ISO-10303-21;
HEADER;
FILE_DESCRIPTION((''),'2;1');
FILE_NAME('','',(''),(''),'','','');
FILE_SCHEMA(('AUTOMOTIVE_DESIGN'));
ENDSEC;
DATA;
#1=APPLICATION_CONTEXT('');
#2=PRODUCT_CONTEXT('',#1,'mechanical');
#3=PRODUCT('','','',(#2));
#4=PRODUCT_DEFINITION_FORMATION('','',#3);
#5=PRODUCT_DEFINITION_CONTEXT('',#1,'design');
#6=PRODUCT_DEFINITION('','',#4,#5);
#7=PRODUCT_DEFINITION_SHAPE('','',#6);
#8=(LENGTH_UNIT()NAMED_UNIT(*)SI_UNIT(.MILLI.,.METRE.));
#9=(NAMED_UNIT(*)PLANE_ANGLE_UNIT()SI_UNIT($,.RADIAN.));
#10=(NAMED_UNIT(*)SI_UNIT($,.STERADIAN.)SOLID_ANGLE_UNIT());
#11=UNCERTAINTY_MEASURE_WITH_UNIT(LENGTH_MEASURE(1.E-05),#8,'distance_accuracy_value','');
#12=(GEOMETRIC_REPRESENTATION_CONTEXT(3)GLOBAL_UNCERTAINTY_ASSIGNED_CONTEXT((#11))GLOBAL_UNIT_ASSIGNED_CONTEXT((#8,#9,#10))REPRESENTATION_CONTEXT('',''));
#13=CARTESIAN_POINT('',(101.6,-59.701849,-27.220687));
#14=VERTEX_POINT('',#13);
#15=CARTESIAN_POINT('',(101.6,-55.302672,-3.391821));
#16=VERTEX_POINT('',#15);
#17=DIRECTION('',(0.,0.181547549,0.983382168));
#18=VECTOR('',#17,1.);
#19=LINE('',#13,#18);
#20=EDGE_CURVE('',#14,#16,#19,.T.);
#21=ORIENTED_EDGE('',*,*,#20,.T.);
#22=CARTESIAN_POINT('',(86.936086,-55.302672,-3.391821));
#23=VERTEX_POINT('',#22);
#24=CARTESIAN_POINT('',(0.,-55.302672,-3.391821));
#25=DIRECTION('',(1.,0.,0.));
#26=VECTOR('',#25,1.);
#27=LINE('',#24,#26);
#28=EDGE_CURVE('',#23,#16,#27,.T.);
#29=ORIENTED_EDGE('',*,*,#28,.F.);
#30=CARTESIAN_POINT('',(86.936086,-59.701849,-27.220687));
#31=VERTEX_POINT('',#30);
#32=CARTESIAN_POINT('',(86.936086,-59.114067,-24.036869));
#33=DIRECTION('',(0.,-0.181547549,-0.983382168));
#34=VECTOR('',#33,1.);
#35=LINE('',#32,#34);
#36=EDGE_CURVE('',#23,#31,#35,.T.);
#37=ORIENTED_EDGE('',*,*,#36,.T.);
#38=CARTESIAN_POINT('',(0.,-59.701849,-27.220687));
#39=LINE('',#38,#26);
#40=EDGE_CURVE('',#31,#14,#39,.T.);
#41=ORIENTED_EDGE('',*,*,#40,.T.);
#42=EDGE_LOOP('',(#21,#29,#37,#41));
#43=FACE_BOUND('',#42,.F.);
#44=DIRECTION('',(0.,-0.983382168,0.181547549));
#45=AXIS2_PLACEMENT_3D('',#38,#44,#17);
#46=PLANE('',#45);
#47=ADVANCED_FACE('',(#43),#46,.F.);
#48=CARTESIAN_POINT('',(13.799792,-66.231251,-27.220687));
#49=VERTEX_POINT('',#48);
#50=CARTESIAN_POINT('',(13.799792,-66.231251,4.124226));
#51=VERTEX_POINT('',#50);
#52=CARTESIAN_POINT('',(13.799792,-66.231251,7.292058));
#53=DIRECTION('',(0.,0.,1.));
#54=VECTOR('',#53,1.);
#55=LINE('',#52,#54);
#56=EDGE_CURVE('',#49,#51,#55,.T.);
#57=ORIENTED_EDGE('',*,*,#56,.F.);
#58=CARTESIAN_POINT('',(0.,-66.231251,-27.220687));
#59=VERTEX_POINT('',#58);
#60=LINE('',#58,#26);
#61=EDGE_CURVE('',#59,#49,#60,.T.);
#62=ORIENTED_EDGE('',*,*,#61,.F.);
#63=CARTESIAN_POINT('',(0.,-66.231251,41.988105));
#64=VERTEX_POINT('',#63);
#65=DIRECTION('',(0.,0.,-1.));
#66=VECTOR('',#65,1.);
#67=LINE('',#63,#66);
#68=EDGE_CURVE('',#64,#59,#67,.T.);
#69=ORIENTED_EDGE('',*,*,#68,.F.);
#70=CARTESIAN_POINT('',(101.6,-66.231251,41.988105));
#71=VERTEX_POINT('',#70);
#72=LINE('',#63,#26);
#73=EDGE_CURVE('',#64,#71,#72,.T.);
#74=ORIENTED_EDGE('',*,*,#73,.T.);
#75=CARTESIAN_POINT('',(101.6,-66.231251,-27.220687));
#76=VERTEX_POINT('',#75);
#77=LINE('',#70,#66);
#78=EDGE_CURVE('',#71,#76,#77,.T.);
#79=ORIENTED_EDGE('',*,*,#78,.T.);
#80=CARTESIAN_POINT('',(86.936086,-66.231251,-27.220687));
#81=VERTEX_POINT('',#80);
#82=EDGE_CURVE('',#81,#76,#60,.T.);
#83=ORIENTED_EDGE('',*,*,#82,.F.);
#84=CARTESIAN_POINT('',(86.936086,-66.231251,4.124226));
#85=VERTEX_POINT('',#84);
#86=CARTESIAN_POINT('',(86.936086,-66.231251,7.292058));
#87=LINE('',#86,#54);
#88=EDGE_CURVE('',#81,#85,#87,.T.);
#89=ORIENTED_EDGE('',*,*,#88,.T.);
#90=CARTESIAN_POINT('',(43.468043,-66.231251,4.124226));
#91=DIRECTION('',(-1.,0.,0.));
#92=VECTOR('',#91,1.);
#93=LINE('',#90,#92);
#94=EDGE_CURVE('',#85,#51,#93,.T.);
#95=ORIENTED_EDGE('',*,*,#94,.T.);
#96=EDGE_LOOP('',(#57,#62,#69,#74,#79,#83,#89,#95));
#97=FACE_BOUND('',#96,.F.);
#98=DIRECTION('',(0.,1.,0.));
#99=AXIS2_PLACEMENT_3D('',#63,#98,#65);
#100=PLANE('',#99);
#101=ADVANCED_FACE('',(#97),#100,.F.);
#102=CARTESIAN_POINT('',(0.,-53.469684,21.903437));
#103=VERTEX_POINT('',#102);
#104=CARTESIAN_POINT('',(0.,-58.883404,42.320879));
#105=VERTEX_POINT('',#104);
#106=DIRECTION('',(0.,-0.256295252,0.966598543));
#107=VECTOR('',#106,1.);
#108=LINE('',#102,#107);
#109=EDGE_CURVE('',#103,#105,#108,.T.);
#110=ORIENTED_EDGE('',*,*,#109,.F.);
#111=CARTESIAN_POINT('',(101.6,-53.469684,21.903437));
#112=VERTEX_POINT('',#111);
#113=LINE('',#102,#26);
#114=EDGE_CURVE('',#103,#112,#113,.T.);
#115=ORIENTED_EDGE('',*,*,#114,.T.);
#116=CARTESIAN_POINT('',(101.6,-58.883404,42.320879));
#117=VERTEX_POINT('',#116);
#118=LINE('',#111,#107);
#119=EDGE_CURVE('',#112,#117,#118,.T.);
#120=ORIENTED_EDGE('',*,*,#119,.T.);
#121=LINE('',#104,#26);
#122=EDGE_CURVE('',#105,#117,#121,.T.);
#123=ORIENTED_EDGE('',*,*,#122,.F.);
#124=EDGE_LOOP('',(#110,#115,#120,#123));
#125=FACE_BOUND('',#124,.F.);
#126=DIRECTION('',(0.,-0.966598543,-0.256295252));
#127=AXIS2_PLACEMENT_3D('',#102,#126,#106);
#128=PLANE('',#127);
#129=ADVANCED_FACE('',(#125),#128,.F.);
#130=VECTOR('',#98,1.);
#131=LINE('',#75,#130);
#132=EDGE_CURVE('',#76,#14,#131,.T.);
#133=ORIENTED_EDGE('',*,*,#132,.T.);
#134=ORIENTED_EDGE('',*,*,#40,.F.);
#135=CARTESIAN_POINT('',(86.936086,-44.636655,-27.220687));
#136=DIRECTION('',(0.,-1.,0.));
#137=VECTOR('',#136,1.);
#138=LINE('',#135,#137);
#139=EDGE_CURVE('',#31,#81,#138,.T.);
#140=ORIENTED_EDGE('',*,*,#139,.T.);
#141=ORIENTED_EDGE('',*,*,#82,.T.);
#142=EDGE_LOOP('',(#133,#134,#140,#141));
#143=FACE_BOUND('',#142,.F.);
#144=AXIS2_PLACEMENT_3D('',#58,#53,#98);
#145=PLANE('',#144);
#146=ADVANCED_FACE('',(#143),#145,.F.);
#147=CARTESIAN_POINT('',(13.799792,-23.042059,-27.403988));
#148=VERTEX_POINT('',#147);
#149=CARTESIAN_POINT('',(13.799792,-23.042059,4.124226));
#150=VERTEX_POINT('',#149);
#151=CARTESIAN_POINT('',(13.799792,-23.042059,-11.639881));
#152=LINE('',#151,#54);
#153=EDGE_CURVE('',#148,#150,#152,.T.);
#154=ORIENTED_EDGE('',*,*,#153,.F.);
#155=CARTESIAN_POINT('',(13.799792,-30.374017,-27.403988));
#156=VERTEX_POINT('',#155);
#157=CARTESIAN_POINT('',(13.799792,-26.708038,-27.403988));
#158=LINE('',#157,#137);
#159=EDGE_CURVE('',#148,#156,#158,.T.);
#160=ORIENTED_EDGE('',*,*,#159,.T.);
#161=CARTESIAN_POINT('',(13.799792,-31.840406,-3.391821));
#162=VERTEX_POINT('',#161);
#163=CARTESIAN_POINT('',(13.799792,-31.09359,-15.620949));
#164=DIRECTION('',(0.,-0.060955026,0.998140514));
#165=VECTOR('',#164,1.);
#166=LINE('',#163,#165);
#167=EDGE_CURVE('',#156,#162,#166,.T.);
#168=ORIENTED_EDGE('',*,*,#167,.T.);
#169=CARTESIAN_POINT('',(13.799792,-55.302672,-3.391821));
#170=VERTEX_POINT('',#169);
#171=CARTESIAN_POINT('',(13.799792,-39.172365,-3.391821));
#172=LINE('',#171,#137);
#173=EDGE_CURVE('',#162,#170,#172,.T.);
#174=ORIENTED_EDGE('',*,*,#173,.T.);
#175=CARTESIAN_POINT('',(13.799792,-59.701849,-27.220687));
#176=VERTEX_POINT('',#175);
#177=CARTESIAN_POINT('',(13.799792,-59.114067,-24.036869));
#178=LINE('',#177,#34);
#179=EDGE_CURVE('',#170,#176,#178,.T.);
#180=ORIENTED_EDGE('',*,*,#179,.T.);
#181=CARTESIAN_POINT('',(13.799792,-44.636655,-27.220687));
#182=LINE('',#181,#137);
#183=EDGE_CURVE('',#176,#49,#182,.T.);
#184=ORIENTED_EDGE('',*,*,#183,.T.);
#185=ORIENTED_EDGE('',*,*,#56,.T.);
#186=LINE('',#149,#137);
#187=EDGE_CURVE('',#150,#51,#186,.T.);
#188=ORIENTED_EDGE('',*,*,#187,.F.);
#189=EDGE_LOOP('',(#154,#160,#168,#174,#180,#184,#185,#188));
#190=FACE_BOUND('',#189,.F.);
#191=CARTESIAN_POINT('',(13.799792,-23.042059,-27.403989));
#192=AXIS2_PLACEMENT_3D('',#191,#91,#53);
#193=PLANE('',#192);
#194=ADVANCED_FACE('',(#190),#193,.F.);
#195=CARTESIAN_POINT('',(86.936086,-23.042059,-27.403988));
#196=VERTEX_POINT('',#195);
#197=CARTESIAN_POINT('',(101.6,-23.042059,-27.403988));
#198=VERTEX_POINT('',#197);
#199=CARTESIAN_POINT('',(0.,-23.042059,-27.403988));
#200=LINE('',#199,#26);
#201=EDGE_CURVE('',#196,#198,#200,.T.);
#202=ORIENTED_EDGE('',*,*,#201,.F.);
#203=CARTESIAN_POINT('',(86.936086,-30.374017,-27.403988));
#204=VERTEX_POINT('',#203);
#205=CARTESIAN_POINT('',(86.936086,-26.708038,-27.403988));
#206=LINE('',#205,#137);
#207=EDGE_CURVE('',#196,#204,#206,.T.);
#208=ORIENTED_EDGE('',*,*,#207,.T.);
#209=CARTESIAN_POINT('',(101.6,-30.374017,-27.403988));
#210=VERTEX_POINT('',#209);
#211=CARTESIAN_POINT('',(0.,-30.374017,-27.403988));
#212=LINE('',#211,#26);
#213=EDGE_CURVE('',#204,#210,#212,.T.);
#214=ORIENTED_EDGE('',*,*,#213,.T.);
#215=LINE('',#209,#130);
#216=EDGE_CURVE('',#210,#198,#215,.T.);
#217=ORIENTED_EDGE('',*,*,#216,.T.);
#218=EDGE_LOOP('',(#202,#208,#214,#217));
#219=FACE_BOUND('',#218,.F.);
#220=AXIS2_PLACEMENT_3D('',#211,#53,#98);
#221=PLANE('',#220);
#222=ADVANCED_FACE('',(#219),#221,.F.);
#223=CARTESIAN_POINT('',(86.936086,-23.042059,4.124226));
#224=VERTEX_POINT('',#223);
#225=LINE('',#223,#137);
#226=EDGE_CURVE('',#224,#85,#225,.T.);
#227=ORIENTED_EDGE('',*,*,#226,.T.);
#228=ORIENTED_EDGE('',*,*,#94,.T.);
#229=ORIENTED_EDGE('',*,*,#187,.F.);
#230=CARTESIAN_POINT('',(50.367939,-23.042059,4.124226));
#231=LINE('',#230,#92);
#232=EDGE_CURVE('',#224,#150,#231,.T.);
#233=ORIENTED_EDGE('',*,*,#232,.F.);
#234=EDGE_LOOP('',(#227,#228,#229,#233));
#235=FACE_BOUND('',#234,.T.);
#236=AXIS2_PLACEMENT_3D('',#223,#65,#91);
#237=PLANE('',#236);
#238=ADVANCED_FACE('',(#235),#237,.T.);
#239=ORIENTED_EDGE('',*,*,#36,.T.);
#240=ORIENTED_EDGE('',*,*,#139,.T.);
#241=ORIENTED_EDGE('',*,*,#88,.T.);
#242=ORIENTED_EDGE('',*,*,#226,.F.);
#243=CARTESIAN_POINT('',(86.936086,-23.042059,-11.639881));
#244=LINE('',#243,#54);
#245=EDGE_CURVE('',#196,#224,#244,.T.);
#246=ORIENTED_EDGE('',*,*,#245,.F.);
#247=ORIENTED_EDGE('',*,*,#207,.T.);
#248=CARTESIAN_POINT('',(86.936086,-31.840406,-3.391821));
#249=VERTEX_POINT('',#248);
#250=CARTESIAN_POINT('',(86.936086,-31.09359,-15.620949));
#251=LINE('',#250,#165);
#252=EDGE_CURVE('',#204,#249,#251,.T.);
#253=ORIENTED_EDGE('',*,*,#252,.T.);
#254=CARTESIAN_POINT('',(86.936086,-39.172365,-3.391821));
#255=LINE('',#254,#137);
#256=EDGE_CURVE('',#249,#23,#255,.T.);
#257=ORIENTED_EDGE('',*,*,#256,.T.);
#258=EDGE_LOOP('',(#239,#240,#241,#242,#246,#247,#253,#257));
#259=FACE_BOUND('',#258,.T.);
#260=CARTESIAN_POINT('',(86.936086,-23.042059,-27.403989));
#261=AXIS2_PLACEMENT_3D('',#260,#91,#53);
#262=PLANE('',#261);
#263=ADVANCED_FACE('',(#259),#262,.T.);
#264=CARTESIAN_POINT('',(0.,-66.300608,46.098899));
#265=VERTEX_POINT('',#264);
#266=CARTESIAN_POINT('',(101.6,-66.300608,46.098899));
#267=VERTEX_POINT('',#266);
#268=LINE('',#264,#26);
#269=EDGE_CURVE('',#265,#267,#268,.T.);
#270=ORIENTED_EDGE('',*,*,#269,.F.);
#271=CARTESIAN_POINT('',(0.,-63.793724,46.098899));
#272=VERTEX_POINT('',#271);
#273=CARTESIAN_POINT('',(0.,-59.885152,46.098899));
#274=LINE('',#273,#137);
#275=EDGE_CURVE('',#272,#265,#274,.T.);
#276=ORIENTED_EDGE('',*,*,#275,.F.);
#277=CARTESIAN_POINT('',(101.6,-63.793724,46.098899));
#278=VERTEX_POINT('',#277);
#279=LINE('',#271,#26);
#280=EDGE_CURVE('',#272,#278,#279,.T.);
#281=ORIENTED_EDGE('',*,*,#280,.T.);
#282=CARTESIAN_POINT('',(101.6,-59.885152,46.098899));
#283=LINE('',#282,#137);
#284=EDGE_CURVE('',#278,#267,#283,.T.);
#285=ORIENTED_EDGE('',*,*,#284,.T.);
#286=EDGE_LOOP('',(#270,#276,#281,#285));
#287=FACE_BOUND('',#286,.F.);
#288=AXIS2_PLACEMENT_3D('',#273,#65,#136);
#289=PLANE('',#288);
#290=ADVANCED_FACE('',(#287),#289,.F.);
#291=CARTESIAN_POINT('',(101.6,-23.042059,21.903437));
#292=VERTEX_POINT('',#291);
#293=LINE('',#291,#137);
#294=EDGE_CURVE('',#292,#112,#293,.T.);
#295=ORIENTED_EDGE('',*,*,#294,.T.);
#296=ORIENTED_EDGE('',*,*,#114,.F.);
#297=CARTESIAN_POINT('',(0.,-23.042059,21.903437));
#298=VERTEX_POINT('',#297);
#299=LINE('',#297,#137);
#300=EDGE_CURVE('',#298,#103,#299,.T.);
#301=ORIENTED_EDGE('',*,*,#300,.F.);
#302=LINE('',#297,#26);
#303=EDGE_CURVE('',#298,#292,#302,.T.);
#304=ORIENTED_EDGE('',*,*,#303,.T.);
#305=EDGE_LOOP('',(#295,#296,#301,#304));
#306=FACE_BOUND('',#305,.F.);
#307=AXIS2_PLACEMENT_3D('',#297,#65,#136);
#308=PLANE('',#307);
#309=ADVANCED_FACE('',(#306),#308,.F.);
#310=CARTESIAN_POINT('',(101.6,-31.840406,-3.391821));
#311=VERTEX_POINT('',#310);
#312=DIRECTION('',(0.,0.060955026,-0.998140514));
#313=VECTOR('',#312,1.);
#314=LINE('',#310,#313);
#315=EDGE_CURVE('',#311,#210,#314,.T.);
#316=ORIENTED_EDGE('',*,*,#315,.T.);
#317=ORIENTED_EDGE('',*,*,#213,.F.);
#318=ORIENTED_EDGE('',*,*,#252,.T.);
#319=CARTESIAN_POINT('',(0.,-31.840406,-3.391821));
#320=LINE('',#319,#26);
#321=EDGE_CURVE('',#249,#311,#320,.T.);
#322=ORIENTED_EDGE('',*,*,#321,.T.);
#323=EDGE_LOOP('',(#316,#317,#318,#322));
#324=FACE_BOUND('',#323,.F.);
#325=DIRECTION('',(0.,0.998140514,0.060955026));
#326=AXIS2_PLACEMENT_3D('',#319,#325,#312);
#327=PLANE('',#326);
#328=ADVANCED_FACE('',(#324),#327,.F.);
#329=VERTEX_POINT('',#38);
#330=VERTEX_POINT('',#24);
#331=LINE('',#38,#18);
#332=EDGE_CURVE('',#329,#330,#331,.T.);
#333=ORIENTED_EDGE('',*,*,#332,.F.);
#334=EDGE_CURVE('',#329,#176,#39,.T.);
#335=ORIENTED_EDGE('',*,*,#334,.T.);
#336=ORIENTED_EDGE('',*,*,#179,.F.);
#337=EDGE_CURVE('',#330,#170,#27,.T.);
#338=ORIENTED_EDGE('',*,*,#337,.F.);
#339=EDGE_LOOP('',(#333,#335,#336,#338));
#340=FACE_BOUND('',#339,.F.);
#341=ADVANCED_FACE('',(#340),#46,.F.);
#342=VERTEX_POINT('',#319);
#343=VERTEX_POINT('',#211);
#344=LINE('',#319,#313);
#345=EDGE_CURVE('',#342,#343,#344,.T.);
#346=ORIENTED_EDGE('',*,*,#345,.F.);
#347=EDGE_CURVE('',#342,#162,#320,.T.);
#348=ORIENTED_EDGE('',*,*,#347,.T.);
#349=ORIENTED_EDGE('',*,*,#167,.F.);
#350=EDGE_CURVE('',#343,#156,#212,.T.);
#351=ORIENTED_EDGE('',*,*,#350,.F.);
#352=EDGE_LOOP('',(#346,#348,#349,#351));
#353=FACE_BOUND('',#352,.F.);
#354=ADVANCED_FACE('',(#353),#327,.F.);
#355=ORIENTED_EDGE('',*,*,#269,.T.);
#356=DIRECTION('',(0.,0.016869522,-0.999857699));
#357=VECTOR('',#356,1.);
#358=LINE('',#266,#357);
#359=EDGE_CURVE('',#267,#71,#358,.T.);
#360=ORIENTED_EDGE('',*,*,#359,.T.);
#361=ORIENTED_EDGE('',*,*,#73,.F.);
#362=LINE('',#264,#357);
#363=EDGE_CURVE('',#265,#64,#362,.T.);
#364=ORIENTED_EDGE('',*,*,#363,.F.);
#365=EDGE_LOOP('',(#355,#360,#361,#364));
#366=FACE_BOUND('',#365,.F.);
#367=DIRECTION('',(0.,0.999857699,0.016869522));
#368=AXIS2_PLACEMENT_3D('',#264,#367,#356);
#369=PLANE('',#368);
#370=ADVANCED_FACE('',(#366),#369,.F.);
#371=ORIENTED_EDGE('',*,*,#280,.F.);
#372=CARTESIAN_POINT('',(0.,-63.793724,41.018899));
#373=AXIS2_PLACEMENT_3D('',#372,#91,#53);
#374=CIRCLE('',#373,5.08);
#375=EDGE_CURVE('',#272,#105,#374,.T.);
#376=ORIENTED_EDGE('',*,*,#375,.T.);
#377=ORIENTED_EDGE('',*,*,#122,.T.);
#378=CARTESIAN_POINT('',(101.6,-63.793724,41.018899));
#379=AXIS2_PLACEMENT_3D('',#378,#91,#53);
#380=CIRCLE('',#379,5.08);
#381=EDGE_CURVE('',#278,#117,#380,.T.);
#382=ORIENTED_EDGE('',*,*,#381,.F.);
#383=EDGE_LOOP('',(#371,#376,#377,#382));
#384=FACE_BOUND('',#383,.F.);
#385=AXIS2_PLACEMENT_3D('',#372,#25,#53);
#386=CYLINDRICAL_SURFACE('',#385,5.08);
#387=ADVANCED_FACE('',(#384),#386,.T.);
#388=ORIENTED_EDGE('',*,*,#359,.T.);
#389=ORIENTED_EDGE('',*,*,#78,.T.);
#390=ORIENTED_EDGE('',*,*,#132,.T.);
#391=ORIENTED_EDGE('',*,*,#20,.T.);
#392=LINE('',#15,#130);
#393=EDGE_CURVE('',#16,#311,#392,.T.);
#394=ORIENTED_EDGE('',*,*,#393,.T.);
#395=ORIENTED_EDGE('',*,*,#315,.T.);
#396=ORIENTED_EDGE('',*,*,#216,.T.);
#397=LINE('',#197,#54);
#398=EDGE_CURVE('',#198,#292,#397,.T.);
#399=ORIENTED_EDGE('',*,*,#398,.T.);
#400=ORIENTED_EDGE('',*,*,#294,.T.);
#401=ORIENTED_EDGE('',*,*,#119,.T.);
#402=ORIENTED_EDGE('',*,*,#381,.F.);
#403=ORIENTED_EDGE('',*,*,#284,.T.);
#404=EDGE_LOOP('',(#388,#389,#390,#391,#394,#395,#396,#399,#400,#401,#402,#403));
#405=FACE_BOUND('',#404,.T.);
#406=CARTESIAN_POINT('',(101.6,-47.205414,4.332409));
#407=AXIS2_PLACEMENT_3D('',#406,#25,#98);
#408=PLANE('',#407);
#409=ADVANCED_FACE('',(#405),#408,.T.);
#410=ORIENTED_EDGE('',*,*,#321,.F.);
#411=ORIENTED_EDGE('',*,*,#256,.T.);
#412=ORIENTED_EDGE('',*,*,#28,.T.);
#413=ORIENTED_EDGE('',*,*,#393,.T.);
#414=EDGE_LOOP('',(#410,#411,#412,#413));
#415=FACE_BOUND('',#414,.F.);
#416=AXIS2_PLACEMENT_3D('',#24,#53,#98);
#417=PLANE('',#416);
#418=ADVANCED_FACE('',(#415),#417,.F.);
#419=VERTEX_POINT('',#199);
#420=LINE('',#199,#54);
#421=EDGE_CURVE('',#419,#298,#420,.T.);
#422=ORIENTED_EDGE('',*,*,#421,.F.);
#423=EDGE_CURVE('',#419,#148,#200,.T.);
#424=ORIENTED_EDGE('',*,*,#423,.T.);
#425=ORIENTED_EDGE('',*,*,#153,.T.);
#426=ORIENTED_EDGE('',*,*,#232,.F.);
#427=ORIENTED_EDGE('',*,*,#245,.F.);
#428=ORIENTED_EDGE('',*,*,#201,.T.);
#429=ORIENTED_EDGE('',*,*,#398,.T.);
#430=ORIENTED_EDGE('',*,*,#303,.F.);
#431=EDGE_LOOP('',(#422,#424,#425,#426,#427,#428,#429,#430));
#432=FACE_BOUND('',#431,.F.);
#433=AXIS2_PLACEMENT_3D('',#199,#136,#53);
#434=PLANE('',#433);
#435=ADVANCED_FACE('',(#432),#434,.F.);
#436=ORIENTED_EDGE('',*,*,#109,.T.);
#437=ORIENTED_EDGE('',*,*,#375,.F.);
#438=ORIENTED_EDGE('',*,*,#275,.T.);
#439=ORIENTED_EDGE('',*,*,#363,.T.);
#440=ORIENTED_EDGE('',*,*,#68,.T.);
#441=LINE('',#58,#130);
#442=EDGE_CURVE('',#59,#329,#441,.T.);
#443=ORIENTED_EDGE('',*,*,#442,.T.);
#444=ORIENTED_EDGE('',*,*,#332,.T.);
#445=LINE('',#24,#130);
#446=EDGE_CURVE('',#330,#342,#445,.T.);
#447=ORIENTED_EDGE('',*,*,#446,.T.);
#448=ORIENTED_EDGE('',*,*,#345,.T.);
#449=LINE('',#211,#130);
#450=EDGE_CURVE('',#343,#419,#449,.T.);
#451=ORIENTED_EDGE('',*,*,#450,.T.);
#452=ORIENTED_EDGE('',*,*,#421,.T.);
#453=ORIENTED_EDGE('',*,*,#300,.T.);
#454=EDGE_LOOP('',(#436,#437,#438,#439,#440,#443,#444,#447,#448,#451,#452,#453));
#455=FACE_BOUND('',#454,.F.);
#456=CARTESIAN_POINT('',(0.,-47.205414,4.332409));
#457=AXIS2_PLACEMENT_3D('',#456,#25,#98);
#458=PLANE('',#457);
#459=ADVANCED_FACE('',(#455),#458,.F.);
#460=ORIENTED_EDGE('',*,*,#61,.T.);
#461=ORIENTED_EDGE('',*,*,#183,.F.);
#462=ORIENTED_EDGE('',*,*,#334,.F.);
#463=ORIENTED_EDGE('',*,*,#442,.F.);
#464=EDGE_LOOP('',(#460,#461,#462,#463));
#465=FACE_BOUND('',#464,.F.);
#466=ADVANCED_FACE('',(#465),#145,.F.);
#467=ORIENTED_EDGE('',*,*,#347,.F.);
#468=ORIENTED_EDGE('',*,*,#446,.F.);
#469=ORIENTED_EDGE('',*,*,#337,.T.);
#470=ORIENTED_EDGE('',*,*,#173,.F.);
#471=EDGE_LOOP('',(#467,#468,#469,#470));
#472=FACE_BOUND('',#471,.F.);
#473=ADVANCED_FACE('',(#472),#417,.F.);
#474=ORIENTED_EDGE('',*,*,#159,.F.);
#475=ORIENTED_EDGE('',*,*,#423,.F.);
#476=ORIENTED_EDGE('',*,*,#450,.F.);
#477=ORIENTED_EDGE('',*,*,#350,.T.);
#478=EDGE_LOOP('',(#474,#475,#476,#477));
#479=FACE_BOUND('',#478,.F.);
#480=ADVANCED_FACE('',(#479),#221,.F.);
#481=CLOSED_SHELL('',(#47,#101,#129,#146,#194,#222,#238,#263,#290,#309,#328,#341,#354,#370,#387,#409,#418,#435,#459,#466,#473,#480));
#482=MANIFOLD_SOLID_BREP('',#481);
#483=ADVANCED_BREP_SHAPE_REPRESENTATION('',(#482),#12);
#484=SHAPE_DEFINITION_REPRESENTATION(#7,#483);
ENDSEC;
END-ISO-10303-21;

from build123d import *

# Parameters (mm, degrees)
F1_DEPTH = 101.6
F2_W     = 73.136294
F2_H     = 31.528215
F3_DEPTH = 43.25955
F4_R     = 5.08


with BuildPart() as f1:
    # F0 (on Right) → F1 (new body)
    with BuildSketch(Plane.YZ):
        Polygon((-66.300608, 46.098899), (-66.231251, 41.988105), (-66.231251, -27.220687), (-59.701849, -27.220687), (-55.302672, -3.391821), (-31.840406, -3.391821), (-30.374017, -27.403988), (-23.042059, -27.403988), (-23.042059, -3.025223), (-23.042059, 21.903437), (-53.469684, 21.903437), (-59.885152, 46.098899), align=None)
    extrude(amount=F1_DEPTH)

    # F2 (on face) → F3 (cut, through all)
    with BuildSketch(Plane(origin=(0, -23.042059, 0), x_dir=(-1, 0, 0), z_dir=(0, 1, 0))):
        with Locations((-50.367939, -11.639881)):
            Rectangle(F2_W, F2_H)
    extrude(amount=-F3_DEPTH, mode=Mode.SUBTRACT)

    # F4
    f4_edges = [f1.edges().sort_by_distance(p)[0] for p in [
        (50.8, -59.885152, 46.098899),
    ]]
    fillet(f4_edges, radius=F4_R)


solid = f1.part
